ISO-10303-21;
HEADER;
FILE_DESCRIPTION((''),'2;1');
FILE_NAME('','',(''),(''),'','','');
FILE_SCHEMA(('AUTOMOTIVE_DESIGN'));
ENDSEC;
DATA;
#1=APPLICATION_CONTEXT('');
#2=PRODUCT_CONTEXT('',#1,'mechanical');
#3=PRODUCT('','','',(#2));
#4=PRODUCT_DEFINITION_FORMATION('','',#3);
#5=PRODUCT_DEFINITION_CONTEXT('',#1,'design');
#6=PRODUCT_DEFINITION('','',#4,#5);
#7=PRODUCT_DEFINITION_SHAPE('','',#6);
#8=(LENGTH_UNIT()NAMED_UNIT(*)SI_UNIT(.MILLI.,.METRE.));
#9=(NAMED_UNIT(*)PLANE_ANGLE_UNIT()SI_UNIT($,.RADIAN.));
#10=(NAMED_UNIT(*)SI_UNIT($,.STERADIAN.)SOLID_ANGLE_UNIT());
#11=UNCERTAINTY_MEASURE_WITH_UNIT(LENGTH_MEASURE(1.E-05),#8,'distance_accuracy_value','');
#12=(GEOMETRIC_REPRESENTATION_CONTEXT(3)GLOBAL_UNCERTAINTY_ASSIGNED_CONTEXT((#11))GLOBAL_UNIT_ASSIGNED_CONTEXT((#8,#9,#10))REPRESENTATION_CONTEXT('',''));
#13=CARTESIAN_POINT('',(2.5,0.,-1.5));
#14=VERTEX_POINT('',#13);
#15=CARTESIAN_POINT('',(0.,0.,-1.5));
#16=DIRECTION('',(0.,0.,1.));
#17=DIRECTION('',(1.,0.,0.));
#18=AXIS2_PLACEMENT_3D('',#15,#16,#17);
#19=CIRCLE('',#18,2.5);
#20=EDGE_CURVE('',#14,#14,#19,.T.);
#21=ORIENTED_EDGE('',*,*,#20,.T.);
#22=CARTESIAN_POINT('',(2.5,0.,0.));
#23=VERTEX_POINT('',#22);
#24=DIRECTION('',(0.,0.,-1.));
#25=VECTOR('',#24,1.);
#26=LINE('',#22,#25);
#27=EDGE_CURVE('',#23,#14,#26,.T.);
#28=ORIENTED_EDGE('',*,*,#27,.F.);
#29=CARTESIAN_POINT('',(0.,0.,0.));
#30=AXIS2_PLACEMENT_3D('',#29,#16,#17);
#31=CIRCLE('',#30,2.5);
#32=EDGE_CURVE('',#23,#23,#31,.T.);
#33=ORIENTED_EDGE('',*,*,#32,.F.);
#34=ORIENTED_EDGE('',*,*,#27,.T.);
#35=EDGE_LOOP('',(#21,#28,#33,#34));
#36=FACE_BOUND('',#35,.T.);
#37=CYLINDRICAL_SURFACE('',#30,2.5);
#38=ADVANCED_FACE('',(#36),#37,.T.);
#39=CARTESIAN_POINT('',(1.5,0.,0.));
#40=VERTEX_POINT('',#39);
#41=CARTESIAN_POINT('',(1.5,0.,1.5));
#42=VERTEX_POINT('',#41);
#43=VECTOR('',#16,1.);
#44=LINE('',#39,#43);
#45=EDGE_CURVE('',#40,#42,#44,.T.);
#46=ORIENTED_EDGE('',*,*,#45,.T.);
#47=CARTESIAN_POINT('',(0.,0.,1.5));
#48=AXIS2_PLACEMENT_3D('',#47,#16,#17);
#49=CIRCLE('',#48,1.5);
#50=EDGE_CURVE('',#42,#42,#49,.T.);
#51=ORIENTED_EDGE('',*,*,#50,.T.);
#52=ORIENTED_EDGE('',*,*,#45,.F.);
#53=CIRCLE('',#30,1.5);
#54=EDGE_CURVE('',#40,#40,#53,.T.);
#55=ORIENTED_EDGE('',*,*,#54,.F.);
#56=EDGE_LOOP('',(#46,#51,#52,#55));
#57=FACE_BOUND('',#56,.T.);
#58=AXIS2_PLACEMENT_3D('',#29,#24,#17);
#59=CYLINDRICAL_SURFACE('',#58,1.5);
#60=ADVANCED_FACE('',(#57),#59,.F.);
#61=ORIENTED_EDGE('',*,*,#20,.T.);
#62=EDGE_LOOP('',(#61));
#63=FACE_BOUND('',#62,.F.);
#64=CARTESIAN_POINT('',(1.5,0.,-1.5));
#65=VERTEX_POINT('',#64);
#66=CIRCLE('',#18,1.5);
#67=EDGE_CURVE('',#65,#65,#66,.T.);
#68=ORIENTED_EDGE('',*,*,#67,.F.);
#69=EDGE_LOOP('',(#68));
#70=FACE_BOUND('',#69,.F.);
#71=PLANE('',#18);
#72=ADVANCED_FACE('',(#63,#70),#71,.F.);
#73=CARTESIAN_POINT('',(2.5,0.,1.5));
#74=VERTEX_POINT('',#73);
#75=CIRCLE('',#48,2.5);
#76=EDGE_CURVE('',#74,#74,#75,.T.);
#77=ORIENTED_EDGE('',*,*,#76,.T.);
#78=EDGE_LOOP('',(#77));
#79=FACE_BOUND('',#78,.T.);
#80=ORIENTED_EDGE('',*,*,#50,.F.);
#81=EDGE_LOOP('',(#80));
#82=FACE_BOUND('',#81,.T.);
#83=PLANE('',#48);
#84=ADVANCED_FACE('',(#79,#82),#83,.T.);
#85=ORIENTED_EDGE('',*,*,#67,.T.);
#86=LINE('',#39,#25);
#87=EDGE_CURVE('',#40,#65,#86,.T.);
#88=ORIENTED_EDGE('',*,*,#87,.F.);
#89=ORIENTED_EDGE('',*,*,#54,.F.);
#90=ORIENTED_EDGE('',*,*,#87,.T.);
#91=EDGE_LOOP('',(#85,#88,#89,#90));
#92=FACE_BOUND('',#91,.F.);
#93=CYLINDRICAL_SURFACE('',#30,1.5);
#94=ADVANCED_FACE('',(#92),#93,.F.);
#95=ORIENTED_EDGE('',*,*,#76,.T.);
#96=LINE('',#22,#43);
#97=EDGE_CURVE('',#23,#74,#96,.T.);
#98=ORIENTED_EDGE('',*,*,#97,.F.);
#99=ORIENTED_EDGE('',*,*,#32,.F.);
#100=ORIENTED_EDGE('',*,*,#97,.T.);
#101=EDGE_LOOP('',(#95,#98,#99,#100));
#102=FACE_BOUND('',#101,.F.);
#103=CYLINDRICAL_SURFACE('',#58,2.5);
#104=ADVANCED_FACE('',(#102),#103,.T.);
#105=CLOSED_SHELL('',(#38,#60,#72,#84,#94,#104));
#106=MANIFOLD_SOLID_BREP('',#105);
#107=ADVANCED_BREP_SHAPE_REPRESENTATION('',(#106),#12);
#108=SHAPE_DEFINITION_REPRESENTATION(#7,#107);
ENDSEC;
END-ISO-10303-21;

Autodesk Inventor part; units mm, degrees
ref_plane "YZ Plane" through (0, 0, 0) normal (1, 0, 0) x (0, 1, 0)
ref_plane "XZ Plane" through (0, 0, 0) normal (0, 1, 0) x (-1, 0, 0)
ref_plane "XY Plane" through (0, 0, 0) normal (0, 0, 1) x (1, 0, 0)
sketch "草图1" plane through (0, 0, 0) normal (0, 0, 1) x (1, 0, 0)
  circle A0 centre (0, 0) radius 1.5
  circle A1 centre (0, 0) radius 2.5
  dimension "d0" = 3
  dimension "d1" = 5
extrude "拉伸1" add sketch "草图1" along normal mid plane 3
sketch "草图2" plane through (0, 0, 0) normal (0, 1, 0) x (-1, 0, 0)
  line L0 (2.5, 1.5) -> (-2.5, 1.5) projected
  line L1 (0, 1.5) -> (0, 3.584)
  point P0 (0, 0)
properties part number "套筒"
